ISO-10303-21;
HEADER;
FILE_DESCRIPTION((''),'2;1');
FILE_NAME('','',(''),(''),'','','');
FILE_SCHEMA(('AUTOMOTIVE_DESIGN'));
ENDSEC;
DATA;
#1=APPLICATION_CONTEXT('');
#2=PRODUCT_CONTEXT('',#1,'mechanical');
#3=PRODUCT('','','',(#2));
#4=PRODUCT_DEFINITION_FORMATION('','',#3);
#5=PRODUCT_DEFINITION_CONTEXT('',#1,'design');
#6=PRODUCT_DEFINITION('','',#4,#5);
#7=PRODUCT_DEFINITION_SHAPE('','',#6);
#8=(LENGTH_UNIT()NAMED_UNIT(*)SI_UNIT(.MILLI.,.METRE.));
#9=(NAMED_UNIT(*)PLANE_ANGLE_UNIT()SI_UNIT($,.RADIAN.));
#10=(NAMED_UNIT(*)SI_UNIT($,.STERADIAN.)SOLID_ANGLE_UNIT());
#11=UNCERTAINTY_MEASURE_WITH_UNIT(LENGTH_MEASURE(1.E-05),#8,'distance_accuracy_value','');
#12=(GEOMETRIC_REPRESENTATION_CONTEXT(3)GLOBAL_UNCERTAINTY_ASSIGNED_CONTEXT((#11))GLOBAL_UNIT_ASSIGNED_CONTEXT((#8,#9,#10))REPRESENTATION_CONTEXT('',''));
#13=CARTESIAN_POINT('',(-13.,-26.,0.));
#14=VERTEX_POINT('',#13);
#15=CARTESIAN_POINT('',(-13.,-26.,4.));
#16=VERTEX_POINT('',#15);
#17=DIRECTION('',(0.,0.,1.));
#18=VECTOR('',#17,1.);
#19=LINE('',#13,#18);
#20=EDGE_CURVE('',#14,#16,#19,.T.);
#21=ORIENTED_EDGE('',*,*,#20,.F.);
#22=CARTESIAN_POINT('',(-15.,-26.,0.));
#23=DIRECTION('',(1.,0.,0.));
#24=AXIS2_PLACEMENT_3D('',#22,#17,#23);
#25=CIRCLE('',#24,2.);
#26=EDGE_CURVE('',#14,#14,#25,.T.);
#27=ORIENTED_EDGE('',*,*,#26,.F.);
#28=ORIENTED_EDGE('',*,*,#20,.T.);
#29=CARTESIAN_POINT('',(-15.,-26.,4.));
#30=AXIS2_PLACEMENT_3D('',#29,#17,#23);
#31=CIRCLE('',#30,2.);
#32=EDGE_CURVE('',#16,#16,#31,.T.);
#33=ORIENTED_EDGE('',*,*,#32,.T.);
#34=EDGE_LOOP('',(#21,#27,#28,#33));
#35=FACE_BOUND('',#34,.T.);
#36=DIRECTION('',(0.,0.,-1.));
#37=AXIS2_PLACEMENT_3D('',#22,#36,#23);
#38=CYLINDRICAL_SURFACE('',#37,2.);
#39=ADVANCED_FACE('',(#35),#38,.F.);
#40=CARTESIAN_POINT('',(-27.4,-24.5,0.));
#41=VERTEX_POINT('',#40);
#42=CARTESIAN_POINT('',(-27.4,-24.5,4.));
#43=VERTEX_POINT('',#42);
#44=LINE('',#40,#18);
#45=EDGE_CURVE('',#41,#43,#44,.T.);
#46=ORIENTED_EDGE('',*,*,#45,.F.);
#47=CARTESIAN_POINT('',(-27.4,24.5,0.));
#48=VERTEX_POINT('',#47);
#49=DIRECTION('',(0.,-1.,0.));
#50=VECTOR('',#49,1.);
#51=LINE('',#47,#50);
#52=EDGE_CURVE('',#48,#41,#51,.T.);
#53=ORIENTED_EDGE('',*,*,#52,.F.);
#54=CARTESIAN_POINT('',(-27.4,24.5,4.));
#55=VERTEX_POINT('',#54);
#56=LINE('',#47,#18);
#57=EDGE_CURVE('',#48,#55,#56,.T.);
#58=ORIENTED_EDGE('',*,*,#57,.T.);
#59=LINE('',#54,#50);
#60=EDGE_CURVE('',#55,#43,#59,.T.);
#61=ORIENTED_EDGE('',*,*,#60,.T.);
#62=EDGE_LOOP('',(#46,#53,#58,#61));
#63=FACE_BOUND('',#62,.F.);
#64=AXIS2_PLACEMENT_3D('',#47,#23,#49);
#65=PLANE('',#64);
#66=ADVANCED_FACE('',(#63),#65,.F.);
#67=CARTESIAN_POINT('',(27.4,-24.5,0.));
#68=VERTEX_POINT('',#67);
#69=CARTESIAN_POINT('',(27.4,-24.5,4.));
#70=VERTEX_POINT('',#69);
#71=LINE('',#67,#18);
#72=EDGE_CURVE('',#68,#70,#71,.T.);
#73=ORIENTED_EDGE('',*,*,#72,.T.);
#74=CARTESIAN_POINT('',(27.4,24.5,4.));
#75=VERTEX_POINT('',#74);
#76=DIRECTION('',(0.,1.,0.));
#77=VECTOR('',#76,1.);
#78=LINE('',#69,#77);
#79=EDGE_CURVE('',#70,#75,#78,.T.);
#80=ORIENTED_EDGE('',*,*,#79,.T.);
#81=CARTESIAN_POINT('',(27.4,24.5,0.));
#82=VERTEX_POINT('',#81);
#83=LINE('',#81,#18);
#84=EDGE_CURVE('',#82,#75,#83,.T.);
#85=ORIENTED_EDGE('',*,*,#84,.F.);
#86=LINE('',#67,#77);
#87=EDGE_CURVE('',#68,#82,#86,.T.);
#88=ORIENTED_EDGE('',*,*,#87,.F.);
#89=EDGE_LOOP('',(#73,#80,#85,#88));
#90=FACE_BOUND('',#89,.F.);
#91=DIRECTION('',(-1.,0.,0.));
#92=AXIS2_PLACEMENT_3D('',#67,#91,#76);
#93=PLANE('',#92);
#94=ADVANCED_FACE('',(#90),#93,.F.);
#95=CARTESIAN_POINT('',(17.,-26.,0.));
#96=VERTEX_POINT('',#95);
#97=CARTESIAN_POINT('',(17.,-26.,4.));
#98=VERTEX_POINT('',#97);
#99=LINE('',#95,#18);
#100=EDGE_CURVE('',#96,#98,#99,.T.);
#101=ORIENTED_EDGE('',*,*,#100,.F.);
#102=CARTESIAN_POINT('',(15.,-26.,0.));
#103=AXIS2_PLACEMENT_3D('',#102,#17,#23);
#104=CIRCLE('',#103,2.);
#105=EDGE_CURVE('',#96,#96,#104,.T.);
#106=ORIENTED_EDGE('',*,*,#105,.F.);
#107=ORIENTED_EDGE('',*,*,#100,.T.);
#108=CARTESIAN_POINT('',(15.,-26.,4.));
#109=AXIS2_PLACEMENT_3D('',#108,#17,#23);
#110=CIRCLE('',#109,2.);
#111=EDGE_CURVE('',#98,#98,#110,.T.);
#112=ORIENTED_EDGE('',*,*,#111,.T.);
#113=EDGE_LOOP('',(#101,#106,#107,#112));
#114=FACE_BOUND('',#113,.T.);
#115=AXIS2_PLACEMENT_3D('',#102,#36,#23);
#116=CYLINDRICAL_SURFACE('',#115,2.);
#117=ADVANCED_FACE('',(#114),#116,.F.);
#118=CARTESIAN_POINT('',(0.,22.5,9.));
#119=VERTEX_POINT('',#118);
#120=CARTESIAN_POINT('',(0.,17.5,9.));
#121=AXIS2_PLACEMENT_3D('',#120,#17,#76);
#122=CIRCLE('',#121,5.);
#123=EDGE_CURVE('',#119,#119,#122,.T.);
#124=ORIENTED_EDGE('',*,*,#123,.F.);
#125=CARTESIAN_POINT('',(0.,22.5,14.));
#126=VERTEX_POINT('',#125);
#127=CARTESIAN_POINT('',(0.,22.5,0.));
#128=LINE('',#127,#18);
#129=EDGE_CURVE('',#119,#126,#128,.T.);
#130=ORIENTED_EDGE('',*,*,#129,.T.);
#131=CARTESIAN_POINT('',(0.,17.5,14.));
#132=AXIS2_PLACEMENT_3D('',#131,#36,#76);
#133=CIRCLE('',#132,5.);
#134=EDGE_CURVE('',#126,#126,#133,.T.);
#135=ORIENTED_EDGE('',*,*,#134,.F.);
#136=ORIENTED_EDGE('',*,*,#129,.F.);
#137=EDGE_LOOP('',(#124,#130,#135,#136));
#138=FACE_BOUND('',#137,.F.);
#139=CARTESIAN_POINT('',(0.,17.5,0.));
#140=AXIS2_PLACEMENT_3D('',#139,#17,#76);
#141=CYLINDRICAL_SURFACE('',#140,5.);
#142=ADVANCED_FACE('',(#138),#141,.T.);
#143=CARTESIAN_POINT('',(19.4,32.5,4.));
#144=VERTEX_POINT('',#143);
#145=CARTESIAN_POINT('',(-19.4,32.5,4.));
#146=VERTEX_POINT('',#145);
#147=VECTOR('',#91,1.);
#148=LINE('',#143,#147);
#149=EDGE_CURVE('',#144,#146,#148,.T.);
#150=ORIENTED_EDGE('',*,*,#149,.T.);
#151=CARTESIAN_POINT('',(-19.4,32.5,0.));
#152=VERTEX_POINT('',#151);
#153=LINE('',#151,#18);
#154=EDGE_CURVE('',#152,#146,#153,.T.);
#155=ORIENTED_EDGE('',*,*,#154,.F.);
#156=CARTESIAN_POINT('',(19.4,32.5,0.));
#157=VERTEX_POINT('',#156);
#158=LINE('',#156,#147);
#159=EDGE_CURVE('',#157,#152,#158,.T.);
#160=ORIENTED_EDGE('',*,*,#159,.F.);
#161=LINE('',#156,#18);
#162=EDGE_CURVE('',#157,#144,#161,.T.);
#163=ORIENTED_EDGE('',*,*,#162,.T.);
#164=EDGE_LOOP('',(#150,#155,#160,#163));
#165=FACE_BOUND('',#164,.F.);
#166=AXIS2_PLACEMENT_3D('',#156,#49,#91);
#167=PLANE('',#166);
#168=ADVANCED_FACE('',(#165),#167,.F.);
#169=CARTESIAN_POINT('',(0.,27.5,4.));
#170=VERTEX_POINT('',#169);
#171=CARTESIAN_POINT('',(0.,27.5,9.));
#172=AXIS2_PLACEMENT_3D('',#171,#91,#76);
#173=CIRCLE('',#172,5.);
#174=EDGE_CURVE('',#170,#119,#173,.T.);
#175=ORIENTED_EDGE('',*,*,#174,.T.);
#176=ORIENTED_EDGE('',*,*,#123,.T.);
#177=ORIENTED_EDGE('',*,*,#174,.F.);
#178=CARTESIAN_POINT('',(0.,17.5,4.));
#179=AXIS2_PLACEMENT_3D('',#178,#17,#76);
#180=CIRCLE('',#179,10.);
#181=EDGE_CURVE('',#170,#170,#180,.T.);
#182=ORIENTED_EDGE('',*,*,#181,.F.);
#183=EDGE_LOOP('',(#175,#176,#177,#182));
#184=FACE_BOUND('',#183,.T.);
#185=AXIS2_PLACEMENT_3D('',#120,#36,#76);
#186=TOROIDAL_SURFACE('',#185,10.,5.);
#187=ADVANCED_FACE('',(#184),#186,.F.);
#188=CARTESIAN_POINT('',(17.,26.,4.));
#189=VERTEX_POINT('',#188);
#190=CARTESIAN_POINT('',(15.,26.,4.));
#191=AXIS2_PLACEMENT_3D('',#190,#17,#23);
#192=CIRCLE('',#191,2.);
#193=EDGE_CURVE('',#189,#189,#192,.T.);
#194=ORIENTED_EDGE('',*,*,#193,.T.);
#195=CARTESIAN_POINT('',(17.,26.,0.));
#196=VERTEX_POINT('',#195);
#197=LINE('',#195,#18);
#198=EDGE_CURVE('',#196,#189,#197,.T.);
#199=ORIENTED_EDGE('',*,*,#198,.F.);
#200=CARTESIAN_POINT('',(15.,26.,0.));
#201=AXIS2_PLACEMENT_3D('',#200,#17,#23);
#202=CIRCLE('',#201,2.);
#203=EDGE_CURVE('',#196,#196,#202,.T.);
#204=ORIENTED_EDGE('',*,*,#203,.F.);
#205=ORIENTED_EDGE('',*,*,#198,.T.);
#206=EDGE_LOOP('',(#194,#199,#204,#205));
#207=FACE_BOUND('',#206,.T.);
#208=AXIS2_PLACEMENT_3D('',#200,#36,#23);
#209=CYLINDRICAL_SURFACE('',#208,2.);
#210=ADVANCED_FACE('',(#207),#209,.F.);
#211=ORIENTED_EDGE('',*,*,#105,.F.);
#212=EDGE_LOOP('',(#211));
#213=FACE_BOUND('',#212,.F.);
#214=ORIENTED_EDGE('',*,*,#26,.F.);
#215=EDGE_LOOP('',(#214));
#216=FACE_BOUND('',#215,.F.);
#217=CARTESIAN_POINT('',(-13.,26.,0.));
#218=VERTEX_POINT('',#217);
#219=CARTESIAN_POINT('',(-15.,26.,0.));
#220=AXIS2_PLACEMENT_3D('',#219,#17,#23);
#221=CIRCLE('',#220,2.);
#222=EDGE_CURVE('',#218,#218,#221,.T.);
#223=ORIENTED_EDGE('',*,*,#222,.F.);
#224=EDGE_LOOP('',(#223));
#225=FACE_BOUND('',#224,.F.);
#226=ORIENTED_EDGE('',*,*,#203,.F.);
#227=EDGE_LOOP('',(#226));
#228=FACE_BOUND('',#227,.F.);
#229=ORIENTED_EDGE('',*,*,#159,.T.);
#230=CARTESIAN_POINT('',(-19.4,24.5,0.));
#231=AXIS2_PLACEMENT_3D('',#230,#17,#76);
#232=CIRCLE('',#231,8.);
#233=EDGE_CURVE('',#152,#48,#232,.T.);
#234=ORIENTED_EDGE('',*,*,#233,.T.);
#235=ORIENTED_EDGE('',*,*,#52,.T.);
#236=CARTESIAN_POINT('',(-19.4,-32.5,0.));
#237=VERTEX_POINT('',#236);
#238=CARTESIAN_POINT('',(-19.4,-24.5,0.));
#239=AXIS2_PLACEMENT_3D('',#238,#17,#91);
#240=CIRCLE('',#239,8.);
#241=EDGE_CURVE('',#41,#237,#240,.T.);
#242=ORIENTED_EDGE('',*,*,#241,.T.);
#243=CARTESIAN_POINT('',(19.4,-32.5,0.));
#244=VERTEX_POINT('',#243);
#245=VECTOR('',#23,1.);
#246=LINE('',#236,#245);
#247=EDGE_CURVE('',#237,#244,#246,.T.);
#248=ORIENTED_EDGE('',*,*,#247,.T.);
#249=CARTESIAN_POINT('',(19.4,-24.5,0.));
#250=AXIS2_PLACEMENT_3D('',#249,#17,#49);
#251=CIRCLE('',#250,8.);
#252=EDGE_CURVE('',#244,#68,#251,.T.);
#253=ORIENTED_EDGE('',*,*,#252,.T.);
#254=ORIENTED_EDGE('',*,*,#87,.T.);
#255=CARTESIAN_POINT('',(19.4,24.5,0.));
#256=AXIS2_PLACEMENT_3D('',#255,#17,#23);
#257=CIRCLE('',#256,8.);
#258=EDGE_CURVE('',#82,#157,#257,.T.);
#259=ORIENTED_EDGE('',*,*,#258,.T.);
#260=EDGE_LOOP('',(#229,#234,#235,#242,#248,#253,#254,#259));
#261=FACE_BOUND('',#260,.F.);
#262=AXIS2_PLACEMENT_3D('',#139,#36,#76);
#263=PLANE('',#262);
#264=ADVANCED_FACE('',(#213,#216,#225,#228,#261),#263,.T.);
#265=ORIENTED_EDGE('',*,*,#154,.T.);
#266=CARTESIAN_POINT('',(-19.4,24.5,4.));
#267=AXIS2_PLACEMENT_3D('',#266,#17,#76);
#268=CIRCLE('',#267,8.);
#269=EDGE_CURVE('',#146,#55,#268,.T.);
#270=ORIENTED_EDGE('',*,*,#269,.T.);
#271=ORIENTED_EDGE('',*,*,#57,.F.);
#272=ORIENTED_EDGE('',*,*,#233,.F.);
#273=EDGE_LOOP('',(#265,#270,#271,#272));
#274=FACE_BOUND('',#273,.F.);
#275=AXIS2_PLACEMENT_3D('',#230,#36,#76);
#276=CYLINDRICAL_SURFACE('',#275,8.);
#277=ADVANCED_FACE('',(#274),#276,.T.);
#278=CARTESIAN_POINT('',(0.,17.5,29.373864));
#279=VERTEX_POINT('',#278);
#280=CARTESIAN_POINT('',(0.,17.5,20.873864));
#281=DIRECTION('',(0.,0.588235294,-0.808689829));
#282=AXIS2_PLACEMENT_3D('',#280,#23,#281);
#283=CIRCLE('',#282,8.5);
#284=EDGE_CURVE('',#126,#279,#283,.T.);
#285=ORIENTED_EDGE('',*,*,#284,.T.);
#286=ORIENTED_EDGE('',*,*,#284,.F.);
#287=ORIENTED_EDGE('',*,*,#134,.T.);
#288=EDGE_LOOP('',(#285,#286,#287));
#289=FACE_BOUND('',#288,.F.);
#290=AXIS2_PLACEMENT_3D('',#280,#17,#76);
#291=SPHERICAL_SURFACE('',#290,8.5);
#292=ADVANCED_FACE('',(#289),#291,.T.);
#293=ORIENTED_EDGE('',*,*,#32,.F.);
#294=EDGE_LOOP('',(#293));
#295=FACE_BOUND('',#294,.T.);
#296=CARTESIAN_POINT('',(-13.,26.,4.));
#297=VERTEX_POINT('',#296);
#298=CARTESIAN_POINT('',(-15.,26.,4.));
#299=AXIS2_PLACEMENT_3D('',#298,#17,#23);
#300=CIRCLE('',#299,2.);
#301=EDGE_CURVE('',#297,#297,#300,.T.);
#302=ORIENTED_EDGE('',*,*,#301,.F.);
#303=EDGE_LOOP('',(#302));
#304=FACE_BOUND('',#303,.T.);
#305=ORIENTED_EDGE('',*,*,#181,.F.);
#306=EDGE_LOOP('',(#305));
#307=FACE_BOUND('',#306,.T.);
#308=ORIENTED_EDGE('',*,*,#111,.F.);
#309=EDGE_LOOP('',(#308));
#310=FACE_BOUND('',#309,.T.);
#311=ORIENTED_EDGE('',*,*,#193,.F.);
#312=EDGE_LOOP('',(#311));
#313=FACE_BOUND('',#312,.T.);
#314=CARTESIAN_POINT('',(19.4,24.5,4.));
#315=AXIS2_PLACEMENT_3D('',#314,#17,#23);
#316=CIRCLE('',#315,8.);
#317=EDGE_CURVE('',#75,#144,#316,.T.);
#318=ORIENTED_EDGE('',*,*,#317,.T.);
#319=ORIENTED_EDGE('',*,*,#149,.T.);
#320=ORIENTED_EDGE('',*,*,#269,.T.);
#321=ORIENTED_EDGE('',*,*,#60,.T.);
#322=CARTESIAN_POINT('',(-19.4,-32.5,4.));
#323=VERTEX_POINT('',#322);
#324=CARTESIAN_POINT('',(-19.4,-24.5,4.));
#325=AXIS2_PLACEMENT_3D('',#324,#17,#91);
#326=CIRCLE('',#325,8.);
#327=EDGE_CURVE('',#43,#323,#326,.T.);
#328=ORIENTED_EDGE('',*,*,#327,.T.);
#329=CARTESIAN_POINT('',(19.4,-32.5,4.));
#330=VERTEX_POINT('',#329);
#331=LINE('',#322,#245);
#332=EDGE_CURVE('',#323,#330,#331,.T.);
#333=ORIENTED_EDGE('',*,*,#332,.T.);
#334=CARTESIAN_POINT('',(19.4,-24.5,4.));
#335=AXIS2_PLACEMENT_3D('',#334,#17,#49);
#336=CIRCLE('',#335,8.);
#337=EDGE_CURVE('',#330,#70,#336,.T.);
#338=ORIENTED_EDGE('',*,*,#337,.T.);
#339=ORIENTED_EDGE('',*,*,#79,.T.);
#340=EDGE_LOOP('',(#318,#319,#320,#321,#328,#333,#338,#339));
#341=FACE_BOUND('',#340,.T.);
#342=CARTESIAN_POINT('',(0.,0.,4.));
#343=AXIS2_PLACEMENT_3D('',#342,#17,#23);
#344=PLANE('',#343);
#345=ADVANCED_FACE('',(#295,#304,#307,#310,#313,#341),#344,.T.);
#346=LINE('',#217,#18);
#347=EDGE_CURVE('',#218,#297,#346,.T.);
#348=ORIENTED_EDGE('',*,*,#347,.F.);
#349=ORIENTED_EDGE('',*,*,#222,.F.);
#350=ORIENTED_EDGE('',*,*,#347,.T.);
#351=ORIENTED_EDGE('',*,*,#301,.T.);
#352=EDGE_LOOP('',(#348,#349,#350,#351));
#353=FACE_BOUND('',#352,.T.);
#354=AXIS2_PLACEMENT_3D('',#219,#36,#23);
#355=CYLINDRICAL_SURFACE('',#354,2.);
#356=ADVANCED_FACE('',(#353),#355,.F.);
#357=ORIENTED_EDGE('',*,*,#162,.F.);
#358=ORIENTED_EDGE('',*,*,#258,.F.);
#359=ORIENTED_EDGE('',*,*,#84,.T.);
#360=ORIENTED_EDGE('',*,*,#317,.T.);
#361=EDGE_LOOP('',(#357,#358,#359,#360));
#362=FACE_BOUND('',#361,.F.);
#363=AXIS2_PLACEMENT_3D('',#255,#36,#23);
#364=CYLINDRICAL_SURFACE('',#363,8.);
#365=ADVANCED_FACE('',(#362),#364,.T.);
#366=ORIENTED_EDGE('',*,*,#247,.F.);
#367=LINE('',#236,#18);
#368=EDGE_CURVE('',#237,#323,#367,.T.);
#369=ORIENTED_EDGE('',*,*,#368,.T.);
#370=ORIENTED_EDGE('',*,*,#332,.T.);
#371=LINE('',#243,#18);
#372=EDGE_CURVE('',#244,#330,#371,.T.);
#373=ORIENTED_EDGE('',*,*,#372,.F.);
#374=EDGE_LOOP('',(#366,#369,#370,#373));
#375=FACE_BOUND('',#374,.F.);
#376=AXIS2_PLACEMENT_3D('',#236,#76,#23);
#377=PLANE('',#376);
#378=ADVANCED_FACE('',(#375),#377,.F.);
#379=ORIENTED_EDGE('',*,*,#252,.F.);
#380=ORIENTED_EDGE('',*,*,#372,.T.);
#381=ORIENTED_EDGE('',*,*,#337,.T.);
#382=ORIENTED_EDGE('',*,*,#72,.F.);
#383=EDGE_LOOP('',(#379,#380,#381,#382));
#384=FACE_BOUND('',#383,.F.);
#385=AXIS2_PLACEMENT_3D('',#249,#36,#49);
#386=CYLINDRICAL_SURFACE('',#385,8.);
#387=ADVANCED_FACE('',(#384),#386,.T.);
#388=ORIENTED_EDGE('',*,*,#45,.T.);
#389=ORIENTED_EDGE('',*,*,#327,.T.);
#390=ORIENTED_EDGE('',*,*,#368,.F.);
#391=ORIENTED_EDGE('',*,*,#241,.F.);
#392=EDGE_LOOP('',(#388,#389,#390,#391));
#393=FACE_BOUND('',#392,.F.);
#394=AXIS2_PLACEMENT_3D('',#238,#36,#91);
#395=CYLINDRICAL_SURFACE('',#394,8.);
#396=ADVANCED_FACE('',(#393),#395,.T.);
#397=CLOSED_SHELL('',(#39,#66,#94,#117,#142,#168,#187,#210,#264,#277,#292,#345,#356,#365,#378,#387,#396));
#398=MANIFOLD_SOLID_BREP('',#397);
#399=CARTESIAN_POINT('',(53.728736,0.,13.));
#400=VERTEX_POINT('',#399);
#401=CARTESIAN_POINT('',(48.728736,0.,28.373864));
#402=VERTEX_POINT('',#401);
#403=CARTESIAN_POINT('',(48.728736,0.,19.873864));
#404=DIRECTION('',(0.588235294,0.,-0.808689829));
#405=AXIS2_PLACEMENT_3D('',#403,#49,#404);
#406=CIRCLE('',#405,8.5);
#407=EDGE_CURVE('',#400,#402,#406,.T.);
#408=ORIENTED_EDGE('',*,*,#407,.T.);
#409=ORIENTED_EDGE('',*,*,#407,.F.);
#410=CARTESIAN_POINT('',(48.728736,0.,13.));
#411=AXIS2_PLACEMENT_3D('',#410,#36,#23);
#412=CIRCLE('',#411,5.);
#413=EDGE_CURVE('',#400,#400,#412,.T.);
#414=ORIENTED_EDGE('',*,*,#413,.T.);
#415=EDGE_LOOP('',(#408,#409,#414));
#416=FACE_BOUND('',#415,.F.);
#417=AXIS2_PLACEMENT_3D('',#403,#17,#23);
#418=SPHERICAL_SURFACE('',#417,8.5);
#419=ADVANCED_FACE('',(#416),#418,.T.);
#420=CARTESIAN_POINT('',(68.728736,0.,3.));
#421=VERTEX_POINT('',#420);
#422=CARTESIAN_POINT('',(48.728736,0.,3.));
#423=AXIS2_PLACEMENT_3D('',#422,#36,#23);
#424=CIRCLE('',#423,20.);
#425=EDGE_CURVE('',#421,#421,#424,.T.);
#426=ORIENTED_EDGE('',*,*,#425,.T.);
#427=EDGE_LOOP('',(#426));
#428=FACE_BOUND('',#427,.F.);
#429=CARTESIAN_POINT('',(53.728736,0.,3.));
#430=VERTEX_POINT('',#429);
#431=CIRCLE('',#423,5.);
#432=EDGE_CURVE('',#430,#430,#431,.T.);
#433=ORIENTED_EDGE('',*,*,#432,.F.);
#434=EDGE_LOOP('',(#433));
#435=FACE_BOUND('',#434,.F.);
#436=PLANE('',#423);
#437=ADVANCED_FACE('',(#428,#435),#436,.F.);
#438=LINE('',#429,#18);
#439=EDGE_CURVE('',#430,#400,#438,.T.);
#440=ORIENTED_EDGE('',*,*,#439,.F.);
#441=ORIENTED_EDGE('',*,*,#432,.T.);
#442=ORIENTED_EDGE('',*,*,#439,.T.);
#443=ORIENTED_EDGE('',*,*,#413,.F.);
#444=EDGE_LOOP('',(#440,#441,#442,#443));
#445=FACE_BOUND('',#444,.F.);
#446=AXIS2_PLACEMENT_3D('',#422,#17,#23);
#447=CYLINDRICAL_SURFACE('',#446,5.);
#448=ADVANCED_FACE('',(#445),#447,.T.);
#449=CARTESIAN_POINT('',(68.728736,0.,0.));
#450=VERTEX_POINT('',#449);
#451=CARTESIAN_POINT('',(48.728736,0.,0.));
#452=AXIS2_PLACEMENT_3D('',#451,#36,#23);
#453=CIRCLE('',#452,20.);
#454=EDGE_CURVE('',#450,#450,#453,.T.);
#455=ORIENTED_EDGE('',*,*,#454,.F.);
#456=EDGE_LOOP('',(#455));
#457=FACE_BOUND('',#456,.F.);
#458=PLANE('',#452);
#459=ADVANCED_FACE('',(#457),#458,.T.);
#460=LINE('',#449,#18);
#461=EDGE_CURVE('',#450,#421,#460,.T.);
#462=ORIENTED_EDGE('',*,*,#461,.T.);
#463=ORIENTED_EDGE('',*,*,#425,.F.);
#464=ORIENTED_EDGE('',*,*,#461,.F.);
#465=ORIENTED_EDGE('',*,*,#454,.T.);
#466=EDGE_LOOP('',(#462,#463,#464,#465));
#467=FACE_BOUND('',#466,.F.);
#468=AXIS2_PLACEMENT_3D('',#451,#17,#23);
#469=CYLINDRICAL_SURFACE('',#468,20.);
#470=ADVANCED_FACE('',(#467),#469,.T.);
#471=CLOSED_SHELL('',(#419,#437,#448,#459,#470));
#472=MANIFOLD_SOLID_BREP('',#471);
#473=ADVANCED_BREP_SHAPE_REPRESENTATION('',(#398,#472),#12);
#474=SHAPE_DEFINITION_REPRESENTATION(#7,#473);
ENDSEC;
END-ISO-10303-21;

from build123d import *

# Parameters (mm, degrees)
F0_R     = 2
F1_DEPTH = 4
F4_R     = 5


with BuildPart() as f1:
    # F0 (on Top) → F1 (new body)
    with BuildSketch(Plane.XY):
        with BuildLine():
            ThreePointArc((-27.4, -24.5), (-25.0568542495, -30.1568542495), (-19.4, -32.5))
            Line((-19.4, -32.5), (19.4, -32.5))
            ThreePointArc((19.4, -32.5), (25.0568542495, -30.1568542495), (27.4, -24.5))
            Line((27.4, -24.5), (27.4, 24.5))
            ThreePointArc((27.4, 24.5), (25.0568542495, 30.1568542495), (19.4, 32.5))
            Line((19.4, 32.5), (-19.4, 32.5))
            ThreePointArc((-19.4, 32.5), (-25.0568542495, 30.1568542495), (-27.4, 24.5))
            Line((-27.4, 24.5), (-27.4, -24.5))
        make_face()
        with Locations((-15, -26)):
            Circle(F0_R, mode=Mode.SUBTRACT)
        with Locations((15, -26)):
            Circle(F0_R, mode=Mode.SUBTRACT)
        with Locations((-15, 26)):
            Circle(F0_R, mode=Mode.SUBTRACT)
        with Locations((15, 26)):
            Circle(F0_R, mode=Mode.SUBTRACT)
    extrude(amount=F1_DEPTH)

    # F2 (on Right) → F3 (revolve)
    with BuildSketch(Plane.YZ):
        with BuildLine():
            Line((17.5, 20.8738635424), (17.5, 0))
            Line((17.5, 0), (22.5, 0))
            Line((22.5, 0), (22.5, 14))
            ThreePointArc((22.5, 14), (25.5832493501, 23.5027568352), (17.5, 29.3738635424))
            Line((17.5, 29.3738635424), (17.5, 20.8738635424))
        make_face()
    revolve(axis=Axis((0, 17.5, 10.4369317712), (0, 0, -1)))

    # F4
    f4_edges = [f1.edges().sort_by_distance(p)[0] for p in [
        (0, 12.5, 4),
    ]]
    fillet(f4_edges, radius=F4_R)


with BuildPart() as f6:
    # F5 (on Front) → F6 (revolve)
    with BuildSketch(Plane.XZ):
        with BuildLine():
            Line((48.7287359181, 28.3738635424), (48.7287359181, 19.8738635424))
            Line((48.7287359181, 19.8738635424), (48.7287359181, 0))
            Line((48.7287359181, 0), (68.7287359181, 0))
            Line((68.7287359181, 0), (68.7287359181, 3))
            Line((68.7287359181, 3), (53.7287359181, 3))
            Line((53.7287359181, 3), (53.7287359181, 13))
            ThreePointArc((53.7287359181, 13), (56.8119852681, 22.5027568352), (48.7287359181, 28.3738635424))
        make_face()
    revolve(axis=Axis((48.7287359181, 0, 5.0727854547), (0, 0, -1)))


solid = Compound([f1.part, f6.part])
